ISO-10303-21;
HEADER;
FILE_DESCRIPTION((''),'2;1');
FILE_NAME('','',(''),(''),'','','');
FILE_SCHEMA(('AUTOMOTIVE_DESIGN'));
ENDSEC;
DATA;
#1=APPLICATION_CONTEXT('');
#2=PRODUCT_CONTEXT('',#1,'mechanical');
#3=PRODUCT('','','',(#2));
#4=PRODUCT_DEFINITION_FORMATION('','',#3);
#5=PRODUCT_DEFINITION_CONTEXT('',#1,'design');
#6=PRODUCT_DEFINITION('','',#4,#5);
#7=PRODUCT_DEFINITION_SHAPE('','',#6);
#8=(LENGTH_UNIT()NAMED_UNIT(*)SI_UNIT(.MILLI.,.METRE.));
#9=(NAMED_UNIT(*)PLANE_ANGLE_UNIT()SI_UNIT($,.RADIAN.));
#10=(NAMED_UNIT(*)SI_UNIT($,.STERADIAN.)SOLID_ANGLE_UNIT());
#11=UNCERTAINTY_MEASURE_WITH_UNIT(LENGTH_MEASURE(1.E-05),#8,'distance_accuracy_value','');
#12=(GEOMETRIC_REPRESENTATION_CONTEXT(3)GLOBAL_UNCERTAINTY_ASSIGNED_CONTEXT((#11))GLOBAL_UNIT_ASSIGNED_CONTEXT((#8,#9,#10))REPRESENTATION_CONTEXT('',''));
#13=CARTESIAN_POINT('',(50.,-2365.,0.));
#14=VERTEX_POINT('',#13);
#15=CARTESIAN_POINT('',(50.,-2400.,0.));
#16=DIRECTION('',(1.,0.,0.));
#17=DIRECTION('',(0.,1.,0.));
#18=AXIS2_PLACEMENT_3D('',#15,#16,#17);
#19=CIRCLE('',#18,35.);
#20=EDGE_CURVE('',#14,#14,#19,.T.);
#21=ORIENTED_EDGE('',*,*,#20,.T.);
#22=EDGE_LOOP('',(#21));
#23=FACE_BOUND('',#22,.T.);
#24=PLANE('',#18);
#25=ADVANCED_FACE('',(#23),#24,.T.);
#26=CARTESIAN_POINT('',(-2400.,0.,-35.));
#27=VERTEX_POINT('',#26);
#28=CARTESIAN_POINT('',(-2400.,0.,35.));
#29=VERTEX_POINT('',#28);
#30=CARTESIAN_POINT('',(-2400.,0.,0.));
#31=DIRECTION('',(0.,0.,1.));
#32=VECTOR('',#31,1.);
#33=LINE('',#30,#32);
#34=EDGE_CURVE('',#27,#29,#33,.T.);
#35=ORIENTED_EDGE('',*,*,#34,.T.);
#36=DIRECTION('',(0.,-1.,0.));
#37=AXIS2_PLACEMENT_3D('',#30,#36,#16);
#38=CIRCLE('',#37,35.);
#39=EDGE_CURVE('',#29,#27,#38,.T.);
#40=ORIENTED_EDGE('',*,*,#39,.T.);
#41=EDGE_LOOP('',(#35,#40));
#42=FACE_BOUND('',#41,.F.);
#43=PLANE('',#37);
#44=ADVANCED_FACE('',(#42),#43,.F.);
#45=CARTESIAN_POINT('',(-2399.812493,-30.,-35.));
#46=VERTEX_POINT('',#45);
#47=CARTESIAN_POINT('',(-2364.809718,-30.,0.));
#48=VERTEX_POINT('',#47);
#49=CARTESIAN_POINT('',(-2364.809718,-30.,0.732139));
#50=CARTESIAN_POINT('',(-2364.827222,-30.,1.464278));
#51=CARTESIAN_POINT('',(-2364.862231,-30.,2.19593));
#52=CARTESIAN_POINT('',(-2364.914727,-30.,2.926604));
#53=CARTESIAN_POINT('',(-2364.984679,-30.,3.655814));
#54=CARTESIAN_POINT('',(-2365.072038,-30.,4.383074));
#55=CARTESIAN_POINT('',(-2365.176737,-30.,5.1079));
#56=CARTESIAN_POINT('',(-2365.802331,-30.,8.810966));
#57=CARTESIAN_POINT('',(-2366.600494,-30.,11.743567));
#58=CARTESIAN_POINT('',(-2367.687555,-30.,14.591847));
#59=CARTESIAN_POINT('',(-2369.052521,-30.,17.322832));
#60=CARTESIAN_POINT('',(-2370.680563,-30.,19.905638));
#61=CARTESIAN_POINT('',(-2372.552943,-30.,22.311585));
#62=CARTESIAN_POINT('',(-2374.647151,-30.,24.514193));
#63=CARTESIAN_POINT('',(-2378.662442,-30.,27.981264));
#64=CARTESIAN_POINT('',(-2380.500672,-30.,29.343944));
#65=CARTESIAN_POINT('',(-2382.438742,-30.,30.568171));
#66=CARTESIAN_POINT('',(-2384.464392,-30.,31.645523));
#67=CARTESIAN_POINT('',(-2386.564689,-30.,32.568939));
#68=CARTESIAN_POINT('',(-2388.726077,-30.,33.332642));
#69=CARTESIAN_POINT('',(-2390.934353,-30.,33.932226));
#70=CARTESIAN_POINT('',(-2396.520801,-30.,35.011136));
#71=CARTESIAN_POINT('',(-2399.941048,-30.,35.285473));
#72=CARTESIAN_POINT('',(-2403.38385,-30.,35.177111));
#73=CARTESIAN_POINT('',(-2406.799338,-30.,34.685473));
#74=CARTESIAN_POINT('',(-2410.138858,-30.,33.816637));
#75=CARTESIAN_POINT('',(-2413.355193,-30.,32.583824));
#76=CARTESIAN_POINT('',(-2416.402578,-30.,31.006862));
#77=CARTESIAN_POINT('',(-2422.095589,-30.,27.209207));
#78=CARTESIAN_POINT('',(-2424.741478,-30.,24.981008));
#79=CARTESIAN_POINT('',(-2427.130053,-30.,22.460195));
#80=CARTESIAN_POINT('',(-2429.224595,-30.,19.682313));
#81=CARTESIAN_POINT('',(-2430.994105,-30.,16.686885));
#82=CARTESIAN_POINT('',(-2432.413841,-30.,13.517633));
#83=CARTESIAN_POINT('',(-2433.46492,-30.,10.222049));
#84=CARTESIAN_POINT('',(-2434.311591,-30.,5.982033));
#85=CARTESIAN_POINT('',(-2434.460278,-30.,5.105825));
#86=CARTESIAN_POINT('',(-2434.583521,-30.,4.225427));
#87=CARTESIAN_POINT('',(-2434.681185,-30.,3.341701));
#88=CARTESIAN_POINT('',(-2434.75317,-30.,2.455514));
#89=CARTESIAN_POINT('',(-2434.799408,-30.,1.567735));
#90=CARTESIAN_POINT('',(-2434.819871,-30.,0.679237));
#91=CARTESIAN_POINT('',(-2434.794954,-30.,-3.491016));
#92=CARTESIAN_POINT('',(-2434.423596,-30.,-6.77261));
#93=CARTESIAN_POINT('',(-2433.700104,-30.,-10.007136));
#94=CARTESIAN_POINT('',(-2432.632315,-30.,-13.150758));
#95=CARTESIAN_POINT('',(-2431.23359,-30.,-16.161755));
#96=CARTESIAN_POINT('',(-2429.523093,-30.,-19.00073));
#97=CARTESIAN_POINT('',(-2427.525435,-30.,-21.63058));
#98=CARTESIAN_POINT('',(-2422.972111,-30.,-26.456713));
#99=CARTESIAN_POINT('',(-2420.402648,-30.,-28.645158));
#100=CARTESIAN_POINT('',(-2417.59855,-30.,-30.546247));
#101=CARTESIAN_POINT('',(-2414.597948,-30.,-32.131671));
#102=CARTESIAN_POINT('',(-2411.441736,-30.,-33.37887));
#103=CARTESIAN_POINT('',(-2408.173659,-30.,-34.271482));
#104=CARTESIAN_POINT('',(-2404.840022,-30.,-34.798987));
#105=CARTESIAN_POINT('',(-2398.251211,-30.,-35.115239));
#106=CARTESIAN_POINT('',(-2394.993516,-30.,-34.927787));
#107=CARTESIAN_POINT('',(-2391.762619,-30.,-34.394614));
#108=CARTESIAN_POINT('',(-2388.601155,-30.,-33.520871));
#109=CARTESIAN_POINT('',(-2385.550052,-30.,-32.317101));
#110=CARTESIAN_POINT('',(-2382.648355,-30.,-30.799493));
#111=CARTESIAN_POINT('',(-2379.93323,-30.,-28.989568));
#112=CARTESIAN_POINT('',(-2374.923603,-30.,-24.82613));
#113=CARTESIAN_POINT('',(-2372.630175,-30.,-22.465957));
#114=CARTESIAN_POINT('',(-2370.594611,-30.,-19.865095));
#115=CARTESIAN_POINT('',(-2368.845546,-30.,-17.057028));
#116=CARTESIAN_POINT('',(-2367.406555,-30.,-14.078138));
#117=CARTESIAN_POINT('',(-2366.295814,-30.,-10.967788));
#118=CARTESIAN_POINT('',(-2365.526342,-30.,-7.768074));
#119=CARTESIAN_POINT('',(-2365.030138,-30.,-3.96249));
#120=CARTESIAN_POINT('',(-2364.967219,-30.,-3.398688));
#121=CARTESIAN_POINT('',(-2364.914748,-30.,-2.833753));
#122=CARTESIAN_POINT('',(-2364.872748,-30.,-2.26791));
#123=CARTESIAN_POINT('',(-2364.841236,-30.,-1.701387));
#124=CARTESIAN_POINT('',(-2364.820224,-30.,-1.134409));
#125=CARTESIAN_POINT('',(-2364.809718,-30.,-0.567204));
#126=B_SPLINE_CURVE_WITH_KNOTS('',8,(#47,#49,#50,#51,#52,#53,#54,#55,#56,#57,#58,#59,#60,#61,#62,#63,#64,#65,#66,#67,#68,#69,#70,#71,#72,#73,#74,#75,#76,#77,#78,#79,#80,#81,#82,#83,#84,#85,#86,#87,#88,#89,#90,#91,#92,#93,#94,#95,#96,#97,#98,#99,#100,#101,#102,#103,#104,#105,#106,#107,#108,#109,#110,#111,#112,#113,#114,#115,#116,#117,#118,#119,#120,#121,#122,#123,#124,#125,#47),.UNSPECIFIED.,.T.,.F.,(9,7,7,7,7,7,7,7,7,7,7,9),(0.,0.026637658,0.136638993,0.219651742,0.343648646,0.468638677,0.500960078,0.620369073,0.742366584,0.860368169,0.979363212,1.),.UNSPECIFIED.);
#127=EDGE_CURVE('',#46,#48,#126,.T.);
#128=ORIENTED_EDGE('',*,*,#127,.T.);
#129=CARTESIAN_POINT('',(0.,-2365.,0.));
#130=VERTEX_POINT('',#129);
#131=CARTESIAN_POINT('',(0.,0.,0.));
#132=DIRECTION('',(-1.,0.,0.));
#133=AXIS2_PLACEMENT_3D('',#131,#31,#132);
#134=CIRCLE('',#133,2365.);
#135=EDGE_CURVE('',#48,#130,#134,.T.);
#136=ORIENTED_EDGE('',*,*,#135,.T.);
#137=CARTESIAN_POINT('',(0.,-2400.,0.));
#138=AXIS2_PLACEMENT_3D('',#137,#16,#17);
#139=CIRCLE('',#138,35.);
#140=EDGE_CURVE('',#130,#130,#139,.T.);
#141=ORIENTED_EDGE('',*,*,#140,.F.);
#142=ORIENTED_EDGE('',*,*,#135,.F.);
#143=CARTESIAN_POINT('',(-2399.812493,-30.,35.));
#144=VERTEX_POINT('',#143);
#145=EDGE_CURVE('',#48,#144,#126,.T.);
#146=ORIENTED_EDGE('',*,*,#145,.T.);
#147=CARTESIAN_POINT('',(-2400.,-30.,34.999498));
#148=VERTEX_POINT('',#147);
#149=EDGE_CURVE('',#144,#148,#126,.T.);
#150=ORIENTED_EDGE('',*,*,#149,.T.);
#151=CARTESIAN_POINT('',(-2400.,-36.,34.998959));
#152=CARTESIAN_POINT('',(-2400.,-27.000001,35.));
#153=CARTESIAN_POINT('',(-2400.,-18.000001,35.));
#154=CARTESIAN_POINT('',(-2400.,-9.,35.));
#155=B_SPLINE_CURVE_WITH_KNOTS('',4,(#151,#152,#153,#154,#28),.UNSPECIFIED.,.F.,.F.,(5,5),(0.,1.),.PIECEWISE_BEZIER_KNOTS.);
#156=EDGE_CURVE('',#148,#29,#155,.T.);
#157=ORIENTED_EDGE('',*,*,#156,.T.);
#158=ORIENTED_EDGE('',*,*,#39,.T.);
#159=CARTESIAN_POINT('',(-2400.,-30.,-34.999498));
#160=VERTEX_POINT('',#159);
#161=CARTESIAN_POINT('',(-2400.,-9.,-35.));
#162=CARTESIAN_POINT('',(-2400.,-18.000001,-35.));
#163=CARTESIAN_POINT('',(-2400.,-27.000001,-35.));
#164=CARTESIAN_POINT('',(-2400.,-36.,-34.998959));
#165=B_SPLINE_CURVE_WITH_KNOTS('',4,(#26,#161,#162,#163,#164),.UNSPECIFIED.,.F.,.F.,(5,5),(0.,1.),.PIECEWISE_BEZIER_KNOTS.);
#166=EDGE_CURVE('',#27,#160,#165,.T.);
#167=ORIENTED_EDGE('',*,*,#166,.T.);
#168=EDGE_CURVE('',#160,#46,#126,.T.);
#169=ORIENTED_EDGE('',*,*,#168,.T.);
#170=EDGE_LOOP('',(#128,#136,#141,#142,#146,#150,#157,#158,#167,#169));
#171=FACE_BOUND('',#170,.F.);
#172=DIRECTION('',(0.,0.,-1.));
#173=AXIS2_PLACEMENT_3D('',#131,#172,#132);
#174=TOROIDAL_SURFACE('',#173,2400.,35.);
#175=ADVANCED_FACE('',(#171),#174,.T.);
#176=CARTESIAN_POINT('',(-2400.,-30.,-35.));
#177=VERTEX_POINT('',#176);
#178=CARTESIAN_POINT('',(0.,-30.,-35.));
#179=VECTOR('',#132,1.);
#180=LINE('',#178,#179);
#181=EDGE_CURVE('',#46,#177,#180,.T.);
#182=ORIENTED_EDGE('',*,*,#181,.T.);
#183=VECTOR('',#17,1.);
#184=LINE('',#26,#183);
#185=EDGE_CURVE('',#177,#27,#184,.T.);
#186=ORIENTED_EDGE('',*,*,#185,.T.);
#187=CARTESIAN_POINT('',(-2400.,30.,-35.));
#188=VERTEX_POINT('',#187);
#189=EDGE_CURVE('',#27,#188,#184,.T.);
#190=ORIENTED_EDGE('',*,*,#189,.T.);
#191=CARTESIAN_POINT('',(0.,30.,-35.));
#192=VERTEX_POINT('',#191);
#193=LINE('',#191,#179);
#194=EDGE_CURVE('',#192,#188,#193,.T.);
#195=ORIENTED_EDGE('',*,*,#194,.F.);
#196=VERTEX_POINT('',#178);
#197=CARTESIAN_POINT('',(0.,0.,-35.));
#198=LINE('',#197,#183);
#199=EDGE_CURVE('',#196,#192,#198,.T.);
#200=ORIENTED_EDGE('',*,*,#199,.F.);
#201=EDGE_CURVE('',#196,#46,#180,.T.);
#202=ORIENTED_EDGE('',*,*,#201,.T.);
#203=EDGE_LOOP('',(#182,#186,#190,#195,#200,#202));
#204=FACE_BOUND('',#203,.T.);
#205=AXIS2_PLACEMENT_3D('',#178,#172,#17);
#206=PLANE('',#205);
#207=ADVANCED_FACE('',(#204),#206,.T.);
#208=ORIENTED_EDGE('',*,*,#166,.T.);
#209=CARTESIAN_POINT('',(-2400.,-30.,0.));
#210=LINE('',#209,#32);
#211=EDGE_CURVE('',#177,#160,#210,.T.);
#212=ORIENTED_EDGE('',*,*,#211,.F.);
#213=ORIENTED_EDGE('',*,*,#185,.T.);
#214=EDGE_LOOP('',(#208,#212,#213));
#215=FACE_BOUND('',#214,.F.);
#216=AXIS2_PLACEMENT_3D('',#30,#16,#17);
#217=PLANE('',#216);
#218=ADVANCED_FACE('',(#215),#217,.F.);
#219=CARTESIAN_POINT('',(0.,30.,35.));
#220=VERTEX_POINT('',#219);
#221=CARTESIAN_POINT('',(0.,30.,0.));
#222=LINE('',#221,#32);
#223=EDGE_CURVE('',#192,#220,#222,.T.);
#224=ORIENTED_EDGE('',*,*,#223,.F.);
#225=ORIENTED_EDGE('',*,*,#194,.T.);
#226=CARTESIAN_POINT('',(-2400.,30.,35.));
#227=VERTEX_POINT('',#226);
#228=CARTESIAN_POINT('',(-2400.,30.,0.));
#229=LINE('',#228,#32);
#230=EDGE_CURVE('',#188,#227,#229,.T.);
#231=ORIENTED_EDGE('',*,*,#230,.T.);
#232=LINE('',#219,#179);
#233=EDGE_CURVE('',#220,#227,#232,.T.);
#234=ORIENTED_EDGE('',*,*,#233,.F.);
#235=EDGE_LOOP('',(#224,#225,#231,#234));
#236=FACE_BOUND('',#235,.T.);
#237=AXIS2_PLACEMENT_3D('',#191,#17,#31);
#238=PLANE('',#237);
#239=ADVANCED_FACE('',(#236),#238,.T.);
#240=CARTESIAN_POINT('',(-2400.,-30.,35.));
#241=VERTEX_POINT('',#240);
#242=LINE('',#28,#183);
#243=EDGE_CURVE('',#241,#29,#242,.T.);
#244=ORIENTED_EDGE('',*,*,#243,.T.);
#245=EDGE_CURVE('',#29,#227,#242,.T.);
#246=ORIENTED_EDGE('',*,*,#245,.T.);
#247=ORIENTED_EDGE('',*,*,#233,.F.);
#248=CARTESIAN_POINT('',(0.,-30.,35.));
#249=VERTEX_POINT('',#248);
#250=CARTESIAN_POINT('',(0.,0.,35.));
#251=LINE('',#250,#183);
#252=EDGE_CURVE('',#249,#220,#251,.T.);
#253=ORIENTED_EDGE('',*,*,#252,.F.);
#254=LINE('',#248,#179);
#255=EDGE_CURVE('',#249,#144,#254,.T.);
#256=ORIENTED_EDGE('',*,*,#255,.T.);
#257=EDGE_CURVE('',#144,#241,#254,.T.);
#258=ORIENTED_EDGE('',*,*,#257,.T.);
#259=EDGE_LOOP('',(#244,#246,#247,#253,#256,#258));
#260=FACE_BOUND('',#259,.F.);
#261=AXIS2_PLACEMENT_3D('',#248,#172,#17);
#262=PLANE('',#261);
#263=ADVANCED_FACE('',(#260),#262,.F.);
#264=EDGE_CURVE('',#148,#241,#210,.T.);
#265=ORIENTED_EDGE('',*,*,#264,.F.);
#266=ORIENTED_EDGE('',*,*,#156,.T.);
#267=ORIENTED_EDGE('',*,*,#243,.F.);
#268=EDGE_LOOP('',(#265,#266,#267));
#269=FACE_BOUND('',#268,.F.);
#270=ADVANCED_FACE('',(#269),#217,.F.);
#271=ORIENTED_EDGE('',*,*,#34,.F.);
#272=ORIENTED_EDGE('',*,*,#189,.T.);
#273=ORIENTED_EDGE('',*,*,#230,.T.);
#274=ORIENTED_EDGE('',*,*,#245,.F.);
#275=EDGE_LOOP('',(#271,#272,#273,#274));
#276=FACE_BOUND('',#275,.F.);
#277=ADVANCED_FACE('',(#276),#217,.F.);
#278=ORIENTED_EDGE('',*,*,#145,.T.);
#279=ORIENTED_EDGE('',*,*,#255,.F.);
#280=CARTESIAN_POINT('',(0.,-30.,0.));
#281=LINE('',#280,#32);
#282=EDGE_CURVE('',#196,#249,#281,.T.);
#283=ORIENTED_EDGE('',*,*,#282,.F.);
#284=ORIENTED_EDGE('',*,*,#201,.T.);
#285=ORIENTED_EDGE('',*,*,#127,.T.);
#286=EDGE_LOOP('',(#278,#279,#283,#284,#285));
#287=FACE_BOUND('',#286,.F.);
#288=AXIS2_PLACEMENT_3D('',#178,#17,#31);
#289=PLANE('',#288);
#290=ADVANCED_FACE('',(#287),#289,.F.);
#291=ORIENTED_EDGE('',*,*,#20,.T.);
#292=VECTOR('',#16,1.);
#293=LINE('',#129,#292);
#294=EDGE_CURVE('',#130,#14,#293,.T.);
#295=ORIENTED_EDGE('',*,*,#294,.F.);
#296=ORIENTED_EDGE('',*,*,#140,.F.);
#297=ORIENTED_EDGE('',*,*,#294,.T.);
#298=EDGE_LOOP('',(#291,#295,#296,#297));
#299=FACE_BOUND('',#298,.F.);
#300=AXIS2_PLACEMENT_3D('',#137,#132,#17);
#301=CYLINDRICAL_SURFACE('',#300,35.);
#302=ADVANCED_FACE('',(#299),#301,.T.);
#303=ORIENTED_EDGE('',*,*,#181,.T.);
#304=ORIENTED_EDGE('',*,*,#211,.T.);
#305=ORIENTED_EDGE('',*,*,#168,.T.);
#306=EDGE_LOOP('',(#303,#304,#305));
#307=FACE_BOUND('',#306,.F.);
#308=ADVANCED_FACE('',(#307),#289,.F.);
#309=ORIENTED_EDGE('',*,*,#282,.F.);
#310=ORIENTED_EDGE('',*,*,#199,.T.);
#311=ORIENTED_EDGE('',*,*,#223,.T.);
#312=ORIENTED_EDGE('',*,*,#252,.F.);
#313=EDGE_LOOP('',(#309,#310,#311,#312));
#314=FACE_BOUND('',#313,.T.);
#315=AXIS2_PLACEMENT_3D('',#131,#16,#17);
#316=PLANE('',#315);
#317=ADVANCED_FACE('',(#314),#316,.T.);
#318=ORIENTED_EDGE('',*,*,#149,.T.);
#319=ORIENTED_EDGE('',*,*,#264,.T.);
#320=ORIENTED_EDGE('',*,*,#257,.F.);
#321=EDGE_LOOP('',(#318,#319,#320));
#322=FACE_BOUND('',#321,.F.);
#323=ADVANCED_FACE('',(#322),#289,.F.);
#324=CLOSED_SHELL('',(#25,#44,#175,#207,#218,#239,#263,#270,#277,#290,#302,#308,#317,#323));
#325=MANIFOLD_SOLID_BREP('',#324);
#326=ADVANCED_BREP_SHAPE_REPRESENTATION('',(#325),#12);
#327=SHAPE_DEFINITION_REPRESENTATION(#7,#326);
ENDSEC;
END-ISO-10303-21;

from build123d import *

# Parameters (mm, degrees)
F0_R     = 35
F2_ANGLE = 90
F3_W     = 60
F3_H     = 70
F4_DEPTH = 2400
F5_R     = 35
F6_DEPTH = 50


with BuildPart() as f2:
    # F0 (on Front) → F2 (revolve)
    with BuildSketch(Plane.XZ):
        with Locations((-2400, 0)):
            Circle(F0_R)
    revolve(axis=Axis((0, 0, 33.3255), (0, 0, 1)), revolution_arc=F2_ANGLE)

    # F3 (on Right) → F4 (join)
    with BuildSketch(Plane.YZ):
        Rectangle(F3_W, F3_H)
    extrude(amount=-F4_DEPTH)

    # F5 (on face) → F6 (join)
    with BuildSketch(Plane.YZ):
        with Locations((-2400, 0)):
            Circle(F5_R)
    extrude(amount=F6_DEPTH)


solid = f2.part
